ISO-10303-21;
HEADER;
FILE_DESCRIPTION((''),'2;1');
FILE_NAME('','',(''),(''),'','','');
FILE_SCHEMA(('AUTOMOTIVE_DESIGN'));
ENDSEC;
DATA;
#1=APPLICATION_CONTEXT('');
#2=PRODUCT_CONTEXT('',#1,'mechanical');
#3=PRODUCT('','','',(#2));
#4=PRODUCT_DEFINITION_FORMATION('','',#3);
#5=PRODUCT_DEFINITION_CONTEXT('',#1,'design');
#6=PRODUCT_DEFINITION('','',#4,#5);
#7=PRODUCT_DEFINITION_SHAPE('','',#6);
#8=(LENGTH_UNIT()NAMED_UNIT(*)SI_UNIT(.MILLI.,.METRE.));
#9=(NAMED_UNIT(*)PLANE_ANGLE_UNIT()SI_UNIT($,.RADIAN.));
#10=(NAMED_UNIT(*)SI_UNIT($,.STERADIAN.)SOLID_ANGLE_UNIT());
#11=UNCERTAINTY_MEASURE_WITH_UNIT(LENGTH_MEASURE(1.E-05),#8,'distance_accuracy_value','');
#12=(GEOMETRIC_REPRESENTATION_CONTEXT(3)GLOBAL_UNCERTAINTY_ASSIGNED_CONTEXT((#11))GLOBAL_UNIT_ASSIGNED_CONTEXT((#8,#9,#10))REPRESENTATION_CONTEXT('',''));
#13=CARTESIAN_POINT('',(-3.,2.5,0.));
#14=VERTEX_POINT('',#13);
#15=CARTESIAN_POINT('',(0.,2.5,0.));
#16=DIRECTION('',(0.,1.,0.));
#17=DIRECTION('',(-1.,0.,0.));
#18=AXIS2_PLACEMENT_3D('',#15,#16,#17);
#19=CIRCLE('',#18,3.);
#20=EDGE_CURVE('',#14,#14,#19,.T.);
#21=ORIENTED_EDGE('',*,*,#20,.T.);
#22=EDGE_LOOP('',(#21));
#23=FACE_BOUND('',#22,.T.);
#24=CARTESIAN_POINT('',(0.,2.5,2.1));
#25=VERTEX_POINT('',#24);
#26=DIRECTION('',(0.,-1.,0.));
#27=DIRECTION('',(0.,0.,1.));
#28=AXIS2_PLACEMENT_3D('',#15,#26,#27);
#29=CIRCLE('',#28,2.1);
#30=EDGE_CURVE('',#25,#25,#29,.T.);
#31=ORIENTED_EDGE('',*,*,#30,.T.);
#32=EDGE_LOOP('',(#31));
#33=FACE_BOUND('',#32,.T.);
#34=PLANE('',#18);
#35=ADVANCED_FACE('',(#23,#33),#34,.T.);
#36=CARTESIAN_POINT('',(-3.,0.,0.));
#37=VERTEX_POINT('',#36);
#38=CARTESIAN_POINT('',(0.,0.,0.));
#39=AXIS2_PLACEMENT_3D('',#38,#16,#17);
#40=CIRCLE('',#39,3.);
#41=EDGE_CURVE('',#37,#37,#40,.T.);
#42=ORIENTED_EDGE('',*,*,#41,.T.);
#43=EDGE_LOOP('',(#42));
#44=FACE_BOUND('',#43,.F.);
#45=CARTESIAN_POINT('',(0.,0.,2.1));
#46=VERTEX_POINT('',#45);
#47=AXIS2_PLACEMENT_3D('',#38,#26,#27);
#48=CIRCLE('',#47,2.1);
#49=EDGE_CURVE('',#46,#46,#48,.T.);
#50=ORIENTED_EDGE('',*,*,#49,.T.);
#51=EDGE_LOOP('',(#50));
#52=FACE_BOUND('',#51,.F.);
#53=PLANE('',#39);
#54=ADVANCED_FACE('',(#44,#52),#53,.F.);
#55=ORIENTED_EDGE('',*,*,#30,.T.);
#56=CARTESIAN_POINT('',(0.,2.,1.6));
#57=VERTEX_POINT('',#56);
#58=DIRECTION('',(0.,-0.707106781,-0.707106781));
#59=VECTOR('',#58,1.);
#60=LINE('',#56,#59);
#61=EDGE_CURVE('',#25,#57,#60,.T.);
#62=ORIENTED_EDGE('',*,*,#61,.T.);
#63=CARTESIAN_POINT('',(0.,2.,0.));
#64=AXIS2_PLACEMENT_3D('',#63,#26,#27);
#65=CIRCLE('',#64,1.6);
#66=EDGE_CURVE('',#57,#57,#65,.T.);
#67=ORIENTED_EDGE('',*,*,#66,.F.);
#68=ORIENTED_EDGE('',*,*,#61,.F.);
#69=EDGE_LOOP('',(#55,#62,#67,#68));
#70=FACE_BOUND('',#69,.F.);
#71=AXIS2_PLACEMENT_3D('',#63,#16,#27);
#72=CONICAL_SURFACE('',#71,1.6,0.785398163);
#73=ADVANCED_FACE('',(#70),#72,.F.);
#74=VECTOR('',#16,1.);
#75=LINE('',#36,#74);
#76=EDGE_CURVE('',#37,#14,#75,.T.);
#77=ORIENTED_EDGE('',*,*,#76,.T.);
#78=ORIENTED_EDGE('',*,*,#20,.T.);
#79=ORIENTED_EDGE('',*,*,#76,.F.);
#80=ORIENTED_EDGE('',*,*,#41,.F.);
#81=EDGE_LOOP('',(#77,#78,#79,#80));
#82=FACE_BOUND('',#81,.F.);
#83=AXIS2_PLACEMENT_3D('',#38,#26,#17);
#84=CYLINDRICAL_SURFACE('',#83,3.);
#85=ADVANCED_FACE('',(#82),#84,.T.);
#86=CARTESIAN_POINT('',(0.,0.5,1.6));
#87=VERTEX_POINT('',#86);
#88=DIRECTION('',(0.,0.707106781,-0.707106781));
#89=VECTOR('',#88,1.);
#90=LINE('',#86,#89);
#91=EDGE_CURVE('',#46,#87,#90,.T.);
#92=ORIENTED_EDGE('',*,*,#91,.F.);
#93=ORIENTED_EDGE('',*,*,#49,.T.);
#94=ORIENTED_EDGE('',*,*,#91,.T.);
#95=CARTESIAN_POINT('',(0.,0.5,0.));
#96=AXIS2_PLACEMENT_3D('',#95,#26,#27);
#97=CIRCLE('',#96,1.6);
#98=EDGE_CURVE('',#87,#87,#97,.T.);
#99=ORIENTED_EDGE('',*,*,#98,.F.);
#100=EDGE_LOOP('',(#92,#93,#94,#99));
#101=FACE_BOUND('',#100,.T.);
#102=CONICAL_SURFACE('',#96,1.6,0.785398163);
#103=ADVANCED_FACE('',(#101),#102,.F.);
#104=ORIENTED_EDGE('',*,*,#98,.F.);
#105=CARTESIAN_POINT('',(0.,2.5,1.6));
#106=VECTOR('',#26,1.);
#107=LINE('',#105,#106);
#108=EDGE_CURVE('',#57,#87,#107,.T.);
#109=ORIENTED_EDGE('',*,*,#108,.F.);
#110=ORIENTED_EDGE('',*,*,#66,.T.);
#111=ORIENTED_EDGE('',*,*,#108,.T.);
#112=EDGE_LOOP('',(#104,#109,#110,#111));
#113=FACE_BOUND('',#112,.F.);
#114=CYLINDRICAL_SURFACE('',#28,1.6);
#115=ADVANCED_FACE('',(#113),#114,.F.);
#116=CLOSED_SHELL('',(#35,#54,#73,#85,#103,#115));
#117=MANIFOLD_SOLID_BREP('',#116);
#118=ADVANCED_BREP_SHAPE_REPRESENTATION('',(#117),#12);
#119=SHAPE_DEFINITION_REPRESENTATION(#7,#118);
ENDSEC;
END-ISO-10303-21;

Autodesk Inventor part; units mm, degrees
ref_plane "YZ Plane" through (0, 0, 0) normal (1, 0, 0) x (0, 1, 0)
ref_plane "XZ Plane" through (0, 0, 0) normal (0, 1, 0) x (-1, 0, 0)
ref_plane "XY Plane" through (0, 0, 0) normal (0, 0, 1) x (1, 0, 0)
sketch "Sketch1" plane through (0, 0, 0) normal (0, 1, 0) x (-1, 0, 0)
  circle A0 centre (0, 0) radius 3
  dimension "d0" = 6
extrude "Extrusion1" add sketch "Sketch1" along normal blind 2.5
sketch "Sketch2" plane through (0, 2.5, 0) normal (0, 1, 0) x (1, 0, 0)
  circle A0 centre (0, 0) radius 3 projected
hole "Hole1" at (0, 2.5, 0) direction (0, -1, 0) diameter 3.2 end through all
chamfer "Chamfer1" distance 0.5 angle 45 2 edges at (0, 2.5, -1.6) (0, 0, -1.6)
properties part number "plastic M3 nut"
